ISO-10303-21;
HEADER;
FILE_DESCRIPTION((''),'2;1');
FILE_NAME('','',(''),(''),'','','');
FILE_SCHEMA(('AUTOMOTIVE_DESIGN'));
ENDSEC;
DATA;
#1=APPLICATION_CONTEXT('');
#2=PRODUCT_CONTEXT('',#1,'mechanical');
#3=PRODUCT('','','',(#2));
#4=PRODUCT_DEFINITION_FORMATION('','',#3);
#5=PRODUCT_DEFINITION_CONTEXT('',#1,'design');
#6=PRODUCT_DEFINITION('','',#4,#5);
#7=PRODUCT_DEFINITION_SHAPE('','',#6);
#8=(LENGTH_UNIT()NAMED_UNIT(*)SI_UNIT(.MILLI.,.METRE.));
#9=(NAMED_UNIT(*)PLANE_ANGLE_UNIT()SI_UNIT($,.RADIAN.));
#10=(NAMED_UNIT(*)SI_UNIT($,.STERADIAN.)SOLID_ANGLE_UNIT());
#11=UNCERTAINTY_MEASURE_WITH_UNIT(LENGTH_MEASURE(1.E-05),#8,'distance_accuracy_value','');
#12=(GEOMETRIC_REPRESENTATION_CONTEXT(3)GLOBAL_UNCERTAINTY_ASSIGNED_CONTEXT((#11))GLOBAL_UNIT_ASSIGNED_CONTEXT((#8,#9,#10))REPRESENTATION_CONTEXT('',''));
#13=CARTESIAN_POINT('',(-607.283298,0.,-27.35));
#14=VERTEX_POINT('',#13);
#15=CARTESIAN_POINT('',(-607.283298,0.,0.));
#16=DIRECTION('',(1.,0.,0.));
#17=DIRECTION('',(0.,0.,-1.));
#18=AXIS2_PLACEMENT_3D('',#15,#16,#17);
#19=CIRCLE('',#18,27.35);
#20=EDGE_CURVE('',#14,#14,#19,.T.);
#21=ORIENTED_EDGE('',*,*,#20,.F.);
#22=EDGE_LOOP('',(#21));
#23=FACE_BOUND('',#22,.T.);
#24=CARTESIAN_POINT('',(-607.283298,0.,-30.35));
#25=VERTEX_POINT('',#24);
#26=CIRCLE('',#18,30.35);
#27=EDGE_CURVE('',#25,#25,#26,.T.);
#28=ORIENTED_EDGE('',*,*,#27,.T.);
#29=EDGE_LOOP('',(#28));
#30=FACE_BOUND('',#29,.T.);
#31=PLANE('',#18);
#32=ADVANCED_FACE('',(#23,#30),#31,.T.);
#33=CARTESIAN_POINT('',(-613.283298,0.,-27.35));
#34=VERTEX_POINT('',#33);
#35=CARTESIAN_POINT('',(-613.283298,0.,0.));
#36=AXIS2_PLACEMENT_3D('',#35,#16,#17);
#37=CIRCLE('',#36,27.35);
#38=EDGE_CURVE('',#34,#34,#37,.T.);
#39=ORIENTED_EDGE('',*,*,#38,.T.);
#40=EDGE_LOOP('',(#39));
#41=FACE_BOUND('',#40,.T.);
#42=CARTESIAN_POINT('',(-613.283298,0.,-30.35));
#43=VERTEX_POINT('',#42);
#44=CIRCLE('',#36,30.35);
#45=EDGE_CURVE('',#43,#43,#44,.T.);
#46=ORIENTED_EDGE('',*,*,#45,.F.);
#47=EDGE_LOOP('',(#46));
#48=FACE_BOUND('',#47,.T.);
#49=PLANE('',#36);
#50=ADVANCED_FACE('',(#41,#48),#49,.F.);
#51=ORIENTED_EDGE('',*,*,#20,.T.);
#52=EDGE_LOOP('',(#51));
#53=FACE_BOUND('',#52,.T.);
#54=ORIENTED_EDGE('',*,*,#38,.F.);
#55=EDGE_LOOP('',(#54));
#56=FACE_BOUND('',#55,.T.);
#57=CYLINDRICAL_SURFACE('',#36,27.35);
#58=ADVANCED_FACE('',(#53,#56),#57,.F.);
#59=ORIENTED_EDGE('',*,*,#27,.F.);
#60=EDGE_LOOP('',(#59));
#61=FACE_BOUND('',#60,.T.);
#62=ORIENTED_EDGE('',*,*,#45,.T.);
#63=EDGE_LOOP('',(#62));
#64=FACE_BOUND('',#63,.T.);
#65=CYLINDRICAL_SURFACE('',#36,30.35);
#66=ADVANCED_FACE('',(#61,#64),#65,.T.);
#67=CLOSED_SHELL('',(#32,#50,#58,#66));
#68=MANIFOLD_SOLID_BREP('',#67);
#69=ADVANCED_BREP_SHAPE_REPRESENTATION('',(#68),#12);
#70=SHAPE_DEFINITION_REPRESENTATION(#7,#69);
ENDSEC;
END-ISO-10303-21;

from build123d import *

# Parameters (mm, degrees)
SKETCH2_R           = 30.35
SKETCH2_R_2         = 27.35
BOSS_EXTRUDE1_DEPTH = 6


with BuildPart() as part:
    # Sketch2 → Boss-Extrude1 (new body)
    with BuildSketch(Plane(origin=(-607.283297965, -0.378059601, -0.400909904), x_dir=(0, 0.7275361131199374, -0.686069387238881), z_dir=(1, 0, 0))):
        with Locations(Location((0, 0.551051552, 0), (0, 0, 313.319766534))):
            Circle(SKETCH2_R)
        with Locations(Location((0, 0.551051552, 0), (0, 0, 313.319766534))):
            Circle(SKETCH2_R_2, mode=Mode.SUBTRACT)
    extrude(amount=-BOSS_EXTRUDE1_DEPTH)


solid = part.part
